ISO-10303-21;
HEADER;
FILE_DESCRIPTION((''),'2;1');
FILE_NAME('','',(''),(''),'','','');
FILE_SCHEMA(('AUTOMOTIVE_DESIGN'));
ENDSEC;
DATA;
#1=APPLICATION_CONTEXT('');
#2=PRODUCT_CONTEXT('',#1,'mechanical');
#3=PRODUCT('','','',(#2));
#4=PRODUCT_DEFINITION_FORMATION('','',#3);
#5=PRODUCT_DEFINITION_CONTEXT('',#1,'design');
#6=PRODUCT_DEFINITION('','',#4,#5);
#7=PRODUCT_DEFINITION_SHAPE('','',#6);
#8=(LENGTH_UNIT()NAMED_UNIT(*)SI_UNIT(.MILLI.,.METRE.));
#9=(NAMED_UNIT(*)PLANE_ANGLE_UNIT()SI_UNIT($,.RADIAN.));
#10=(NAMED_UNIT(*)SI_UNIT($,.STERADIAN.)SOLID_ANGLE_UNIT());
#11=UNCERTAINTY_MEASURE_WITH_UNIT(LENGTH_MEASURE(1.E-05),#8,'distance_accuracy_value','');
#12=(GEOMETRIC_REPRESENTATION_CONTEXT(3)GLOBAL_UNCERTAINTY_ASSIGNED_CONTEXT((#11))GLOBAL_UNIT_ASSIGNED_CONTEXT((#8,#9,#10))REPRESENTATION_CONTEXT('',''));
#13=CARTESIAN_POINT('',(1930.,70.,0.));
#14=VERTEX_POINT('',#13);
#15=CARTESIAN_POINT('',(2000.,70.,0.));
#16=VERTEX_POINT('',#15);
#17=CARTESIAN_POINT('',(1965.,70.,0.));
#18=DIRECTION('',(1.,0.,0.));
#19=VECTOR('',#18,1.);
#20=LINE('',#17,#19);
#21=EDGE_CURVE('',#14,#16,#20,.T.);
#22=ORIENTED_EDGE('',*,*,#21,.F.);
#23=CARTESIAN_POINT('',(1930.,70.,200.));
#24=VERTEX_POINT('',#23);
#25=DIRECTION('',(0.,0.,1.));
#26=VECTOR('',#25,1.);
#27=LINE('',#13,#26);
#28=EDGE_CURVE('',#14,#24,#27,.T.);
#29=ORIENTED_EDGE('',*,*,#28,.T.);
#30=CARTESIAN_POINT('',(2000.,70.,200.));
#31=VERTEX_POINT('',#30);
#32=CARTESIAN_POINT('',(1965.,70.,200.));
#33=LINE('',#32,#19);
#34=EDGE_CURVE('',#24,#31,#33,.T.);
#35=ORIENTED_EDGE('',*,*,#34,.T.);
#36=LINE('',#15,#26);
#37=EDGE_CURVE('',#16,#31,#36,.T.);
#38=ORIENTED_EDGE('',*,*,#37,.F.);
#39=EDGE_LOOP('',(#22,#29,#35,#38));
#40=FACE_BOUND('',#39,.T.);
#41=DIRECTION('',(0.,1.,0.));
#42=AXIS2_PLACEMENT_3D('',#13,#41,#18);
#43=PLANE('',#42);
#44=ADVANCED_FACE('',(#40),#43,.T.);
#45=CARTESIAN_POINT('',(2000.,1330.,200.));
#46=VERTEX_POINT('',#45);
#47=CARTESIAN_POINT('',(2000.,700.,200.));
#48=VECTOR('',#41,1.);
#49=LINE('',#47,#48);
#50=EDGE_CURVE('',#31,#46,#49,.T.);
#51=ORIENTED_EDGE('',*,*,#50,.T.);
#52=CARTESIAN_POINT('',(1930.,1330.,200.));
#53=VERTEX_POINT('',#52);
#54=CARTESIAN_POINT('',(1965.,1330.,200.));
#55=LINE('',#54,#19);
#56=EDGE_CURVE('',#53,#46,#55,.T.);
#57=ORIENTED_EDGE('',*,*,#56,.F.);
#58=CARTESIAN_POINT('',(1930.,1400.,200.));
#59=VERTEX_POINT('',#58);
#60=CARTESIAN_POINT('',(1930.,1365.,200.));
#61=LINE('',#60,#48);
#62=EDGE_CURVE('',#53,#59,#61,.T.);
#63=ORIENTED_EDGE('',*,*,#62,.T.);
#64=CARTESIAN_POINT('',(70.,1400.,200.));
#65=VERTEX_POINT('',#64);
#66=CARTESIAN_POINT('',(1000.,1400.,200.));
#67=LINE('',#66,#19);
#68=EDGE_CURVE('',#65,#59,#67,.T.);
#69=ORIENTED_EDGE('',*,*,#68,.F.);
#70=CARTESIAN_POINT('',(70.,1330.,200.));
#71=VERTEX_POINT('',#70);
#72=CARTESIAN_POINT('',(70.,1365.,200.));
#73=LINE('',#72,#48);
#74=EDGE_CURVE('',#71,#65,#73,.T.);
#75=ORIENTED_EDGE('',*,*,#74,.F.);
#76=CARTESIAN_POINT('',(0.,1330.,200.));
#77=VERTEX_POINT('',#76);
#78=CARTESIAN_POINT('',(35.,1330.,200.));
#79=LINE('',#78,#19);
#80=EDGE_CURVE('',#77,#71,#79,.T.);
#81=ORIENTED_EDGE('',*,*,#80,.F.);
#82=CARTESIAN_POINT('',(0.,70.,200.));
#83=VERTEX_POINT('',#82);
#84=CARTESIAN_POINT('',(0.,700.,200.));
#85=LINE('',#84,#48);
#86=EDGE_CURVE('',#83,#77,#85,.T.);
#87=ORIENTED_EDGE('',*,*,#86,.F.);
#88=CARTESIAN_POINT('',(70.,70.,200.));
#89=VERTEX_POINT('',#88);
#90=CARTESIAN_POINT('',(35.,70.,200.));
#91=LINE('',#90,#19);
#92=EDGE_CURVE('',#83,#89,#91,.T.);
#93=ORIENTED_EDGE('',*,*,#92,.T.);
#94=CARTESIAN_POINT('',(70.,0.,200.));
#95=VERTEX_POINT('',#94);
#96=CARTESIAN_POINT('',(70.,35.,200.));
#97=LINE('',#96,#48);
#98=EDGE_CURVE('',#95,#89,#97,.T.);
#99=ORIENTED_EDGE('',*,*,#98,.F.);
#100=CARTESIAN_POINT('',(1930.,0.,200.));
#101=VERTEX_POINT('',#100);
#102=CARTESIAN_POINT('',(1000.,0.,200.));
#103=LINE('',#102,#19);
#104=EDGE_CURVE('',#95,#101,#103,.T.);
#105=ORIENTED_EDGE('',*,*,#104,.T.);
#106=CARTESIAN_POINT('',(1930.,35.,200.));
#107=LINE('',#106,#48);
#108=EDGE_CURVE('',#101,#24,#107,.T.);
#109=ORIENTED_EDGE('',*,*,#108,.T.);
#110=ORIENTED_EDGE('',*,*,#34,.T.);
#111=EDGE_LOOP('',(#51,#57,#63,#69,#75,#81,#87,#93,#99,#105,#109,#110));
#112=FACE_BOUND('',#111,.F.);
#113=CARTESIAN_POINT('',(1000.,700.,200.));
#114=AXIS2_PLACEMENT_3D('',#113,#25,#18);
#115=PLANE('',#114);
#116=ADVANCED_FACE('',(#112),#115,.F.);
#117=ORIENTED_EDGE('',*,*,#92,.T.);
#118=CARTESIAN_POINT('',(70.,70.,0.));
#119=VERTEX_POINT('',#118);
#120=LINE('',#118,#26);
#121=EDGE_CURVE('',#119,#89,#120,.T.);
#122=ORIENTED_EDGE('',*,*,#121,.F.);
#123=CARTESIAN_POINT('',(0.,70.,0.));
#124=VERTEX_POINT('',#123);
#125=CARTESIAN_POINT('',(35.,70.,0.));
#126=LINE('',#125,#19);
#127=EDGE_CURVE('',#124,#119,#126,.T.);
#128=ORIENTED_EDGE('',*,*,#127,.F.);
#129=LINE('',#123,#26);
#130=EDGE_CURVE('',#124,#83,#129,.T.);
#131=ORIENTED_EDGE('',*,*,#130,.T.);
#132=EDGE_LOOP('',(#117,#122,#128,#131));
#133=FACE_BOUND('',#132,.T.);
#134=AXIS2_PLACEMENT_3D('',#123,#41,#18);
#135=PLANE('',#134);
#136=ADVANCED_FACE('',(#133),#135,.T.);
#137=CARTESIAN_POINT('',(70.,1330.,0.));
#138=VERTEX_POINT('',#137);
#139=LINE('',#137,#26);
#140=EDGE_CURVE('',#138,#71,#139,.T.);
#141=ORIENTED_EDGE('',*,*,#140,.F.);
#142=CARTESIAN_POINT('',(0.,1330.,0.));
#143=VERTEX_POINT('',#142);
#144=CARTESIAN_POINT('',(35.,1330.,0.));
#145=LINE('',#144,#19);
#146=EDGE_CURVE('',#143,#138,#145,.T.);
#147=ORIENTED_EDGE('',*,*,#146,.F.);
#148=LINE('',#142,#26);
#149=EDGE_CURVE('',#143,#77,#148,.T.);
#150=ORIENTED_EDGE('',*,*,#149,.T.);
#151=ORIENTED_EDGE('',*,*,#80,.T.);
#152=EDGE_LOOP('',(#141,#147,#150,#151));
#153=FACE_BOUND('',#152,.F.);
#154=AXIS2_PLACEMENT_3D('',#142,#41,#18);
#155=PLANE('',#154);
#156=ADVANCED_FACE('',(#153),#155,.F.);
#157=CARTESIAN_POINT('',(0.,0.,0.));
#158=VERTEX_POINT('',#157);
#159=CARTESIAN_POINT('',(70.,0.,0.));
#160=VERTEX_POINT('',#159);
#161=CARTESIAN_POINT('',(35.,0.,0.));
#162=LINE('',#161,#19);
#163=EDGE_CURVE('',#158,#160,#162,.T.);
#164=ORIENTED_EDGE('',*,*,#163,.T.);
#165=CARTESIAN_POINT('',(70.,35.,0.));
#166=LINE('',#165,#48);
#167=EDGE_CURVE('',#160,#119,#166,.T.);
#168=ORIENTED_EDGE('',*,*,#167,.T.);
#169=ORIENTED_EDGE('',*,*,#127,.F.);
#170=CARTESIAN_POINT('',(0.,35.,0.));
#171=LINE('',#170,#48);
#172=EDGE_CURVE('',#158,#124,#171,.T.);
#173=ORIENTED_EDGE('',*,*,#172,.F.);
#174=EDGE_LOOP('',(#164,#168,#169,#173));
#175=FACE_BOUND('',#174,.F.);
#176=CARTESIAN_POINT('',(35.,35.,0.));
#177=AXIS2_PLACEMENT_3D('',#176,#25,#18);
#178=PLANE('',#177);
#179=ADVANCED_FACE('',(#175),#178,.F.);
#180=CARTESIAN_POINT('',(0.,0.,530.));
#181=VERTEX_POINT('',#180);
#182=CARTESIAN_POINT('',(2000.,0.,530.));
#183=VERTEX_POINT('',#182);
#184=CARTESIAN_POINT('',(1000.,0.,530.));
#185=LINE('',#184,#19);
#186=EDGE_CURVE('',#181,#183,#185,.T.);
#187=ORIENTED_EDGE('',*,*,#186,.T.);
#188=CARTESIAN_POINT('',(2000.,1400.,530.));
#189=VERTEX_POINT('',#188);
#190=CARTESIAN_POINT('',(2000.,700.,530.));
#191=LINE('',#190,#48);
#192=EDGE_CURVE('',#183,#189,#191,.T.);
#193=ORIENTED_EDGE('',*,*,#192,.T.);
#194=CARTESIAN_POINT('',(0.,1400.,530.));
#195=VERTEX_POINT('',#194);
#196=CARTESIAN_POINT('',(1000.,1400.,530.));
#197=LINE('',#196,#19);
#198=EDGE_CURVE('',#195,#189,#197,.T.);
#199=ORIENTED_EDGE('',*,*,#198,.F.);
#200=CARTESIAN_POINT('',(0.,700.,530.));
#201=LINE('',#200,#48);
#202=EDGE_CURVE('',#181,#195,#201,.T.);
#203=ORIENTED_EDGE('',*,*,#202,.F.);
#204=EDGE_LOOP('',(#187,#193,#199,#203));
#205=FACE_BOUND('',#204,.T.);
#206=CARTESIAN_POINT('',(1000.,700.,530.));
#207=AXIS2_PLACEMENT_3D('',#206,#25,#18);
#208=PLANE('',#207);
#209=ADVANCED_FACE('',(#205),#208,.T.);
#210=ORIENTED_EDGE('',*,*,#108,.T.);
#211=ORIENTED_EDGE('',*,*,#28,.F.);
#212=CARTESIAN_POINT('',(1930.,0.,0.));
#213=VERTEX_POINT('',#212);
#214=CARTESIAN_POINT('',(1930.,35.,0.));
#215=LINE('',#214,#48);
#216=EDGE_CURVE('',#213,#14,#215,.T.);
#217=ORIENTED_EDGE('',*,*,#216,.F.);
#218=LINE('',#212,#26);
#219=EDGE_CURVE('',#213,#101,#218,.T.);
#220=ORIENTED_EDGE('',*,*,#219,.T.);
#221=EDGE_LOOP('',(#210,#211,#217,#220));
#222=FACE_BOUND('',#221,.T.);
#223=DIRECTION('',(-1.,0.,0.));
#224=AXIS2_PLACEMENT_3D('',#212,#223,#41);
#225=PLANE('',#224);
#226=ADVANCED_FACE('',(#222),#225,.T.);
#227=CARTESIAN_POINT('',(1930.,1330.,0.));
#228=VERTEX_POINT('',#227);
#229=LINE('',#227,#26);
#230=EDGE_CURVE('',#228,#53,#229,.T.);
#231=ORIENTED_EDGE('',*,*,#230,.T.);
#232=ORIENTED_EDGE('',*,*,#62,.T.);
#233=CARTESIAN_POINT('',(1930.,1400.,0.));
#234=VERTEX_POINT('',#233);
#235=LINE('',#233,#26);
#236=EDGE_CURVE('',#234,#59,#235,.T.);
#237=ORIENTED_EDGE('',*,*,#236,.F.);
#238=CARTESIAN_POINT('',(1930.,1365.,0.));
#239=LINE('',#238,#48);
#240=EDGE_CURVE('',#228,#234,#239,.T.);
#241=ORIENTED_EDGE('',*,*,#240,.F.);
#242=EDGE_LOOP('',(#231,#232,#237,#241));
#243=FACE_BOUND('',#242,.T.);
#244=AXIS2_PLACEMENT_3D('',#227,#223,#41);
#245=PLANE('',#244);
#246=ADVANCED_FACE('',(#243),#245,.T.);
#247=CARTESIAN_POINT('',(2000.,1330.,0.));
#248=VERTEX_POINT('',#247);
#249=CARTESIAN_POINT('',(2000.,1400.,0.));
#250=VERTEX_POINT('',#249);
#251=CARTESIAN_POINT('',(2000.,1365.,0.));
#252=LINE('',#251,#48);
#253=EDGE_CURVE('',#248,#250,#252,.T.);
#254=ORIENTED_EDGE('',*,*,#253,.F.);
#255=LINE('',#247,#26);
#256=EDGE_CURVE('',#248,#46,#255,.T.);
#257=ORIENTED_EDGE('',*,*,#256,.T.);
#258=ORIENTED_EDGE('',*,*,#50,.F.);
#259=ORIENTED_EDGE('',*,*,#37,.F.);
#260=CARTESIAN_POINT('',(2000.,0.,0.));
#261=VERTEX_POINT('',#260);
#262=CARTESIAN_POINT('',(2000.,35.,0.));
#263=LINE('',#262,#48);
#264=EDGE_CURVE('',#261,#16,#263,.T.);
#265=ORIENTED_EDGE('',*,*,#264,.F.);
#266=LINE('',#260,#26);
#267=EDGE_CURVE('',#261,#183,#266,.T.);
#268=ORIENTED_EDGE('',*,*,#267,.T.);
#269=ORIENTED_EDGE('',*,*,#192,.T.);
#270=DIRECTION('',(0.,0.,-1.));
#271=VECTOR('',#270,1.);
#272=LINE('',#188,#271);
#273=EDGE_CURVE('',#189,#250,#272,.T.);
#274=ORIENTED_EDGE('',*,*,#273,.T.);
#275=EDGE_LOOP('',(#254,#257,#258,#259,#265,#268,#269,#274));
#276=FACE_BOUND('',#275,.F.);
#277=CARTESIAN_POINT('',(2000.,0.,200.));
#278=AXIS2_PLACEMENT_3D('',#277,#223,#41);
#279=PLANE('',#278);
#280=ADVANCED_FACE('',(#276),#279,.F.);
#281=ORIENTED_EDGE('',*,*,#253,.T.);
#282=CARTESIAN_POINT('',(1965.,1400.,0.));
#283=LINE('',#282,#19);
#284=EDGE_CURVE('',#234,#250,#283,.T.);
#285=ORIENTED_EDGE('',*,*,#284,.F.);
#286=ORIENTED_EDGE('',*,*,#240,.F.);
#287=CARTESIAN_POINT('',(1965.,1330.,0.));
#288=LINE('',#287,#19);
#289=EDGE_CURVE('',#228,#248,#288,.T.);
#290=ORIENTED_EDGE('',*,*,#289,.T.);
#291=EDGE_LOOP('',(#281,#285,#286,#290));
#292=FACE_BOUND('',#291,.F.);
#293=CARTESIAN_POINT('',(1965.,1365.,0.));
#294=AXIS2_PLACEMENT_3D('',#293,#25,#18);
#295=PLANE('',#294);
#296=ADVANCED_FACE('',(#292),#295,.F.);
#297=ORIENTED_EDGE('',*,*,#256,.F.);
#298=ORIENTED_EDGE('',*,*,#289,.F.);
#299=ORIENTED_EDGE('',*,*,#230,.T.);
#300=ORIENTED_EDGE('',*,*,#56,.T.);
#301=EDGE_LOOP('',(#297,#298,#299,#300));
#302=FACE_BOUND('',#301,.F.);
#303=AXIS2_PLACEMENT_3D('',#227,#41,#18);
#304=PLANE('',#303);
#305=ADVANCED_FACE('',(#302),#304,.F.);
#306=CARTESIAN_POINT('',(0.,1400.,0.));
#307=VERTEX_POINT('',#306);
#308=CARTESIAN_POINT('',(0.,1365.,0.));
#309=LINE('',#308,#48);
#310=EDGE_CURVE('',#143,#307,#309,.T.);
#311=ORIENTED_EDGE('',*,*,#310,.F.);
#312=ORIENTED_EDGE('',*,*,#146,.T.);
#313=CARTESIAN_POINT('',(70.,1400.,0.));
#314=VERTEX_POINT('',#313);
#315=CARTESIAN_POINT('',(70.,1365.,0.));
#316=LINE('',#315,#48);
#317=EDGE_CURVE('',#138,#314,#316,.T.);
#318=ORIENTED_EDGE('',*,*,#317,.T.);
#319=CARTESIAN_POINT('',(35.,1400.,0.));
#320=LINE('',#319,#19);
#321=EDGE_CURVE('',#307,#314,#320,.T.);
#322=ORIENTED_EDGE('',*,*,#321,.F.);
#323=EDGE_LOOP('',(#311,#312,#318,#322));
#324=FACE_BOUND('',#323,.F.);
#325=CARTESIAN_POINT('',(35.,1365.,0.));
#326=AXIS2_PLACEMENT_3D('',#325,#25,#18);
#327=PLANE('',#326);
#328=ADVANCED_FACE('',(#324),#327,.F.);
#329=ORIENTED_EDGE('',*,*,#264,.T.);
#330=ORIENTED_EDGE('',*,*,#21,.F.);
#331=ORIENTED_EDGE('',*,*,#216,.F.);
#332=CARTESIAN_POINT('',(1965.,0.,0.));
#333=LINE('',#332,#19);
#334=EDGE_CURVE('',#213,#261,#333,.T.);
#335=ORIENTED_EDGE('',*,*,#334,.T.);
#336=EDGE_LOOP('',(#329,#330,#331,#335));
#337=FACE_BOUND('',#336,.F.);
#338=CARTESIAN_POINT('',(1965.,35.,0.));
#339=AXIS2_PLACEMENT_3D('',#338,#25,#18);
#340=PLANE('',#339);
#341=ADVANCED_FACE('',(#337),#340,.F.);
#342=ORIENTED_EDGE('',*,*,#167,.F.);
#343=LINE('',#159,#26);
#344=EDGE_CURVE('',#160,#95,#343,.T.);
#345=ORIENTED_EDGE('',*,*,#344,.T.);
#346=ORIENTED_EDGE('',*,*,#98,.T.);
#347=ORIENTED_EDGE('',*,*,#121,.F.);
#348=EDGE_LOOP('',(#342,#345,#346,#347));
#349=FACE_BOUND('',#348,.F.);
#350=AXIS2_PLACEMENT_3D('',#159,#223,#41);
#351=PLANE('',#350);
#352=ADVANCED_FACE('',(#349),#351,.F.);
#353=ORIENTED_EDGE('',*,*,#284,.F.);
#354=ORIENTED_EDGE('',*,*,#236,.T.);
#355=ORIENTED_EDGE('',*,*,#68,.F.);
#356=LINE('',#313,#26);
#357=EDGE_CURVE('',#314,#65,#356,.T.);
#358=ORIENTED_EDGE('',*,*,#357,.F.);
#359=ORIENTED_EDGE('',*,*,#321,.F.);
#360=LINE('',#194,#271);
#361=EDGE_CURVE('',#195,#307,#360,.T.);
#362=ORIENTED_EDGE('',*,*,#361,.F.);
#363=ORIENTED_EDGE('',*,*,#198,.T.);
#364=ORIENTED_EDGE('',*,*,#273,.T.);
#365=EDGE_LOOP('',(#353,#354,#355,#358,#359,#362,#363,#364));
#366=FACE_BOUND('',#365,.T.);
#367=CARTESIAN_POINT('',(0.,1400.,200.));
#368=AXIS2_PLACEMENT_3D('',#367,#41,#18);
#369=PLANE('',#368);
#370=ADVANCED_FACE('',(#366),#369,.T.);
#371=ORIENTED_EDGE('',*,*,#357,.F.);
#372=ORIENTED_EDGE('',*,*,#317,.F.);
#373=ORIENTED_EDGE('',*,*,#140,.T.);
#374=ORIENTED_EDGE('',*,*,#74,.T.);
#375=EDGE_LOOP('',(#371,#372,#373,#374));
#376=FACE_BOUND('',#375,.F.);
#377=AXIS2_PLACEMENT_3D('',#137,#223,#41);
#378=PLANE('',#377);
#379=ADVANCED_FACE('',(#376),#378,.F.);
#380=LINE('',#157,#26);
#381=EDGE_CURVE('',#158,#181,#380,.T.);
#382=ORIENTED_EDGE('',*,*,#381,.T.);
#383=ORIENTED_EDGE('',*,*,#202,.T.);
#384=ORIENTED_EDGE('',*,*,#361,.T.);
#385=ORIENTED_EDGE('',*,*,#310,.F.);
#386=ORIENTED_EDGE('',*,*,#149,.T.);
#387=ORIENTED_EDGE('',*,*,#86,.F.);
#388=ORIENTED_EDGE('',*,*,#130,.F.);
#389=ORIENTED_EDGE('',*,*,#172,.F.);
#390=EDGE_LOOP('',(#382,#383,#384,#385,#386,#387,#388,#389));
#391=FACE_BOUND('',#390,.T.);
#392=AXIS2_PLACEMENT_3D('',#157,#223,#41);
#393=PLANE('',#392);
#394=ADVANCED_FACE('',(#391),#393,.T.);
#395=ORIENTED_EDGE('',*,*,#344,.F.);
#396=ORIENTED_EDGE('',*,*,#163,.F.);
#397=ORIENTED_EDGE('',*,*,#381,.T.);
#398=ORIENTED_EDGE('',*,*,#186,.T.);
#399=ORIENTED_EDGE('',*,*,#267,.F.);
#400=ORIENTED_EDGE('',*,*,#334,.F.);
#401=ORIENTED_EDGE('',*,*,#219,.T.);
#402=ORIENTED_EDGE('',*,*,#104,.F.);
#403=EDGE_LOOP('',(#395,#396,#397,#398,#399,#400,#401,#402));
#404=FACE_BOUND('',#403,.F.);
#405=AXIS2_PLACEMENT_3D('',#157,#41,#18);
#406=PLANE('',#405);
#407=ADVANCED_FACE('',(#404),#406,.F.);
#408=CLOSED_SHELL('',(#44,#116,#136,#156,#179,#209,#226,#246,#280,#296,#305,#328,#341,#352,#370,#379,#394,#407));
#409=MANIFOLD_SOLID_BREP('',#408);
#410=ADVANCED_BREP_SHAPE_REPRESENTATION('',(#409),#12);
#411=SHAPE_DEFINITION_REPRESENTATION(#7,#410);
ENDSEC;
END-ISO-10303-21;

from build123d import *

# Parameters (mm, degrees)
F2_W     = 2000
F2_H     = 1400
F3_DEPTH = 330
F4_W     = 70
F4_H     = 70
F5_DEPTH = 200


with BuildPart() as f3:
    # F2 (on offset) → F3 (new body, through all)
    with BuildSketch(Plane.XY.offset(200)):
        with Locations((1000, 700)):
            Rectangle(F2_W, F2_H)
    extrude(amount=F3_DEPTH)

    # F4 (on Top) → F5 (join, through all)
    with BuildSketch(Plane.XY):
        with Locations((35, 35)):
            Rectangle(F4_W, F4_H)
        with Locations((1965, 35)):
            Rectangle(F4_W, F4_H)
        with Locations((1965, 1365)):
            Rectangle(F4_W, F4_H)
        with Locations((35, 1365)):
            Rectangle(F4_W, F4_H)
    extrude(amount=F5_DEPTH)


solid = f3.part
